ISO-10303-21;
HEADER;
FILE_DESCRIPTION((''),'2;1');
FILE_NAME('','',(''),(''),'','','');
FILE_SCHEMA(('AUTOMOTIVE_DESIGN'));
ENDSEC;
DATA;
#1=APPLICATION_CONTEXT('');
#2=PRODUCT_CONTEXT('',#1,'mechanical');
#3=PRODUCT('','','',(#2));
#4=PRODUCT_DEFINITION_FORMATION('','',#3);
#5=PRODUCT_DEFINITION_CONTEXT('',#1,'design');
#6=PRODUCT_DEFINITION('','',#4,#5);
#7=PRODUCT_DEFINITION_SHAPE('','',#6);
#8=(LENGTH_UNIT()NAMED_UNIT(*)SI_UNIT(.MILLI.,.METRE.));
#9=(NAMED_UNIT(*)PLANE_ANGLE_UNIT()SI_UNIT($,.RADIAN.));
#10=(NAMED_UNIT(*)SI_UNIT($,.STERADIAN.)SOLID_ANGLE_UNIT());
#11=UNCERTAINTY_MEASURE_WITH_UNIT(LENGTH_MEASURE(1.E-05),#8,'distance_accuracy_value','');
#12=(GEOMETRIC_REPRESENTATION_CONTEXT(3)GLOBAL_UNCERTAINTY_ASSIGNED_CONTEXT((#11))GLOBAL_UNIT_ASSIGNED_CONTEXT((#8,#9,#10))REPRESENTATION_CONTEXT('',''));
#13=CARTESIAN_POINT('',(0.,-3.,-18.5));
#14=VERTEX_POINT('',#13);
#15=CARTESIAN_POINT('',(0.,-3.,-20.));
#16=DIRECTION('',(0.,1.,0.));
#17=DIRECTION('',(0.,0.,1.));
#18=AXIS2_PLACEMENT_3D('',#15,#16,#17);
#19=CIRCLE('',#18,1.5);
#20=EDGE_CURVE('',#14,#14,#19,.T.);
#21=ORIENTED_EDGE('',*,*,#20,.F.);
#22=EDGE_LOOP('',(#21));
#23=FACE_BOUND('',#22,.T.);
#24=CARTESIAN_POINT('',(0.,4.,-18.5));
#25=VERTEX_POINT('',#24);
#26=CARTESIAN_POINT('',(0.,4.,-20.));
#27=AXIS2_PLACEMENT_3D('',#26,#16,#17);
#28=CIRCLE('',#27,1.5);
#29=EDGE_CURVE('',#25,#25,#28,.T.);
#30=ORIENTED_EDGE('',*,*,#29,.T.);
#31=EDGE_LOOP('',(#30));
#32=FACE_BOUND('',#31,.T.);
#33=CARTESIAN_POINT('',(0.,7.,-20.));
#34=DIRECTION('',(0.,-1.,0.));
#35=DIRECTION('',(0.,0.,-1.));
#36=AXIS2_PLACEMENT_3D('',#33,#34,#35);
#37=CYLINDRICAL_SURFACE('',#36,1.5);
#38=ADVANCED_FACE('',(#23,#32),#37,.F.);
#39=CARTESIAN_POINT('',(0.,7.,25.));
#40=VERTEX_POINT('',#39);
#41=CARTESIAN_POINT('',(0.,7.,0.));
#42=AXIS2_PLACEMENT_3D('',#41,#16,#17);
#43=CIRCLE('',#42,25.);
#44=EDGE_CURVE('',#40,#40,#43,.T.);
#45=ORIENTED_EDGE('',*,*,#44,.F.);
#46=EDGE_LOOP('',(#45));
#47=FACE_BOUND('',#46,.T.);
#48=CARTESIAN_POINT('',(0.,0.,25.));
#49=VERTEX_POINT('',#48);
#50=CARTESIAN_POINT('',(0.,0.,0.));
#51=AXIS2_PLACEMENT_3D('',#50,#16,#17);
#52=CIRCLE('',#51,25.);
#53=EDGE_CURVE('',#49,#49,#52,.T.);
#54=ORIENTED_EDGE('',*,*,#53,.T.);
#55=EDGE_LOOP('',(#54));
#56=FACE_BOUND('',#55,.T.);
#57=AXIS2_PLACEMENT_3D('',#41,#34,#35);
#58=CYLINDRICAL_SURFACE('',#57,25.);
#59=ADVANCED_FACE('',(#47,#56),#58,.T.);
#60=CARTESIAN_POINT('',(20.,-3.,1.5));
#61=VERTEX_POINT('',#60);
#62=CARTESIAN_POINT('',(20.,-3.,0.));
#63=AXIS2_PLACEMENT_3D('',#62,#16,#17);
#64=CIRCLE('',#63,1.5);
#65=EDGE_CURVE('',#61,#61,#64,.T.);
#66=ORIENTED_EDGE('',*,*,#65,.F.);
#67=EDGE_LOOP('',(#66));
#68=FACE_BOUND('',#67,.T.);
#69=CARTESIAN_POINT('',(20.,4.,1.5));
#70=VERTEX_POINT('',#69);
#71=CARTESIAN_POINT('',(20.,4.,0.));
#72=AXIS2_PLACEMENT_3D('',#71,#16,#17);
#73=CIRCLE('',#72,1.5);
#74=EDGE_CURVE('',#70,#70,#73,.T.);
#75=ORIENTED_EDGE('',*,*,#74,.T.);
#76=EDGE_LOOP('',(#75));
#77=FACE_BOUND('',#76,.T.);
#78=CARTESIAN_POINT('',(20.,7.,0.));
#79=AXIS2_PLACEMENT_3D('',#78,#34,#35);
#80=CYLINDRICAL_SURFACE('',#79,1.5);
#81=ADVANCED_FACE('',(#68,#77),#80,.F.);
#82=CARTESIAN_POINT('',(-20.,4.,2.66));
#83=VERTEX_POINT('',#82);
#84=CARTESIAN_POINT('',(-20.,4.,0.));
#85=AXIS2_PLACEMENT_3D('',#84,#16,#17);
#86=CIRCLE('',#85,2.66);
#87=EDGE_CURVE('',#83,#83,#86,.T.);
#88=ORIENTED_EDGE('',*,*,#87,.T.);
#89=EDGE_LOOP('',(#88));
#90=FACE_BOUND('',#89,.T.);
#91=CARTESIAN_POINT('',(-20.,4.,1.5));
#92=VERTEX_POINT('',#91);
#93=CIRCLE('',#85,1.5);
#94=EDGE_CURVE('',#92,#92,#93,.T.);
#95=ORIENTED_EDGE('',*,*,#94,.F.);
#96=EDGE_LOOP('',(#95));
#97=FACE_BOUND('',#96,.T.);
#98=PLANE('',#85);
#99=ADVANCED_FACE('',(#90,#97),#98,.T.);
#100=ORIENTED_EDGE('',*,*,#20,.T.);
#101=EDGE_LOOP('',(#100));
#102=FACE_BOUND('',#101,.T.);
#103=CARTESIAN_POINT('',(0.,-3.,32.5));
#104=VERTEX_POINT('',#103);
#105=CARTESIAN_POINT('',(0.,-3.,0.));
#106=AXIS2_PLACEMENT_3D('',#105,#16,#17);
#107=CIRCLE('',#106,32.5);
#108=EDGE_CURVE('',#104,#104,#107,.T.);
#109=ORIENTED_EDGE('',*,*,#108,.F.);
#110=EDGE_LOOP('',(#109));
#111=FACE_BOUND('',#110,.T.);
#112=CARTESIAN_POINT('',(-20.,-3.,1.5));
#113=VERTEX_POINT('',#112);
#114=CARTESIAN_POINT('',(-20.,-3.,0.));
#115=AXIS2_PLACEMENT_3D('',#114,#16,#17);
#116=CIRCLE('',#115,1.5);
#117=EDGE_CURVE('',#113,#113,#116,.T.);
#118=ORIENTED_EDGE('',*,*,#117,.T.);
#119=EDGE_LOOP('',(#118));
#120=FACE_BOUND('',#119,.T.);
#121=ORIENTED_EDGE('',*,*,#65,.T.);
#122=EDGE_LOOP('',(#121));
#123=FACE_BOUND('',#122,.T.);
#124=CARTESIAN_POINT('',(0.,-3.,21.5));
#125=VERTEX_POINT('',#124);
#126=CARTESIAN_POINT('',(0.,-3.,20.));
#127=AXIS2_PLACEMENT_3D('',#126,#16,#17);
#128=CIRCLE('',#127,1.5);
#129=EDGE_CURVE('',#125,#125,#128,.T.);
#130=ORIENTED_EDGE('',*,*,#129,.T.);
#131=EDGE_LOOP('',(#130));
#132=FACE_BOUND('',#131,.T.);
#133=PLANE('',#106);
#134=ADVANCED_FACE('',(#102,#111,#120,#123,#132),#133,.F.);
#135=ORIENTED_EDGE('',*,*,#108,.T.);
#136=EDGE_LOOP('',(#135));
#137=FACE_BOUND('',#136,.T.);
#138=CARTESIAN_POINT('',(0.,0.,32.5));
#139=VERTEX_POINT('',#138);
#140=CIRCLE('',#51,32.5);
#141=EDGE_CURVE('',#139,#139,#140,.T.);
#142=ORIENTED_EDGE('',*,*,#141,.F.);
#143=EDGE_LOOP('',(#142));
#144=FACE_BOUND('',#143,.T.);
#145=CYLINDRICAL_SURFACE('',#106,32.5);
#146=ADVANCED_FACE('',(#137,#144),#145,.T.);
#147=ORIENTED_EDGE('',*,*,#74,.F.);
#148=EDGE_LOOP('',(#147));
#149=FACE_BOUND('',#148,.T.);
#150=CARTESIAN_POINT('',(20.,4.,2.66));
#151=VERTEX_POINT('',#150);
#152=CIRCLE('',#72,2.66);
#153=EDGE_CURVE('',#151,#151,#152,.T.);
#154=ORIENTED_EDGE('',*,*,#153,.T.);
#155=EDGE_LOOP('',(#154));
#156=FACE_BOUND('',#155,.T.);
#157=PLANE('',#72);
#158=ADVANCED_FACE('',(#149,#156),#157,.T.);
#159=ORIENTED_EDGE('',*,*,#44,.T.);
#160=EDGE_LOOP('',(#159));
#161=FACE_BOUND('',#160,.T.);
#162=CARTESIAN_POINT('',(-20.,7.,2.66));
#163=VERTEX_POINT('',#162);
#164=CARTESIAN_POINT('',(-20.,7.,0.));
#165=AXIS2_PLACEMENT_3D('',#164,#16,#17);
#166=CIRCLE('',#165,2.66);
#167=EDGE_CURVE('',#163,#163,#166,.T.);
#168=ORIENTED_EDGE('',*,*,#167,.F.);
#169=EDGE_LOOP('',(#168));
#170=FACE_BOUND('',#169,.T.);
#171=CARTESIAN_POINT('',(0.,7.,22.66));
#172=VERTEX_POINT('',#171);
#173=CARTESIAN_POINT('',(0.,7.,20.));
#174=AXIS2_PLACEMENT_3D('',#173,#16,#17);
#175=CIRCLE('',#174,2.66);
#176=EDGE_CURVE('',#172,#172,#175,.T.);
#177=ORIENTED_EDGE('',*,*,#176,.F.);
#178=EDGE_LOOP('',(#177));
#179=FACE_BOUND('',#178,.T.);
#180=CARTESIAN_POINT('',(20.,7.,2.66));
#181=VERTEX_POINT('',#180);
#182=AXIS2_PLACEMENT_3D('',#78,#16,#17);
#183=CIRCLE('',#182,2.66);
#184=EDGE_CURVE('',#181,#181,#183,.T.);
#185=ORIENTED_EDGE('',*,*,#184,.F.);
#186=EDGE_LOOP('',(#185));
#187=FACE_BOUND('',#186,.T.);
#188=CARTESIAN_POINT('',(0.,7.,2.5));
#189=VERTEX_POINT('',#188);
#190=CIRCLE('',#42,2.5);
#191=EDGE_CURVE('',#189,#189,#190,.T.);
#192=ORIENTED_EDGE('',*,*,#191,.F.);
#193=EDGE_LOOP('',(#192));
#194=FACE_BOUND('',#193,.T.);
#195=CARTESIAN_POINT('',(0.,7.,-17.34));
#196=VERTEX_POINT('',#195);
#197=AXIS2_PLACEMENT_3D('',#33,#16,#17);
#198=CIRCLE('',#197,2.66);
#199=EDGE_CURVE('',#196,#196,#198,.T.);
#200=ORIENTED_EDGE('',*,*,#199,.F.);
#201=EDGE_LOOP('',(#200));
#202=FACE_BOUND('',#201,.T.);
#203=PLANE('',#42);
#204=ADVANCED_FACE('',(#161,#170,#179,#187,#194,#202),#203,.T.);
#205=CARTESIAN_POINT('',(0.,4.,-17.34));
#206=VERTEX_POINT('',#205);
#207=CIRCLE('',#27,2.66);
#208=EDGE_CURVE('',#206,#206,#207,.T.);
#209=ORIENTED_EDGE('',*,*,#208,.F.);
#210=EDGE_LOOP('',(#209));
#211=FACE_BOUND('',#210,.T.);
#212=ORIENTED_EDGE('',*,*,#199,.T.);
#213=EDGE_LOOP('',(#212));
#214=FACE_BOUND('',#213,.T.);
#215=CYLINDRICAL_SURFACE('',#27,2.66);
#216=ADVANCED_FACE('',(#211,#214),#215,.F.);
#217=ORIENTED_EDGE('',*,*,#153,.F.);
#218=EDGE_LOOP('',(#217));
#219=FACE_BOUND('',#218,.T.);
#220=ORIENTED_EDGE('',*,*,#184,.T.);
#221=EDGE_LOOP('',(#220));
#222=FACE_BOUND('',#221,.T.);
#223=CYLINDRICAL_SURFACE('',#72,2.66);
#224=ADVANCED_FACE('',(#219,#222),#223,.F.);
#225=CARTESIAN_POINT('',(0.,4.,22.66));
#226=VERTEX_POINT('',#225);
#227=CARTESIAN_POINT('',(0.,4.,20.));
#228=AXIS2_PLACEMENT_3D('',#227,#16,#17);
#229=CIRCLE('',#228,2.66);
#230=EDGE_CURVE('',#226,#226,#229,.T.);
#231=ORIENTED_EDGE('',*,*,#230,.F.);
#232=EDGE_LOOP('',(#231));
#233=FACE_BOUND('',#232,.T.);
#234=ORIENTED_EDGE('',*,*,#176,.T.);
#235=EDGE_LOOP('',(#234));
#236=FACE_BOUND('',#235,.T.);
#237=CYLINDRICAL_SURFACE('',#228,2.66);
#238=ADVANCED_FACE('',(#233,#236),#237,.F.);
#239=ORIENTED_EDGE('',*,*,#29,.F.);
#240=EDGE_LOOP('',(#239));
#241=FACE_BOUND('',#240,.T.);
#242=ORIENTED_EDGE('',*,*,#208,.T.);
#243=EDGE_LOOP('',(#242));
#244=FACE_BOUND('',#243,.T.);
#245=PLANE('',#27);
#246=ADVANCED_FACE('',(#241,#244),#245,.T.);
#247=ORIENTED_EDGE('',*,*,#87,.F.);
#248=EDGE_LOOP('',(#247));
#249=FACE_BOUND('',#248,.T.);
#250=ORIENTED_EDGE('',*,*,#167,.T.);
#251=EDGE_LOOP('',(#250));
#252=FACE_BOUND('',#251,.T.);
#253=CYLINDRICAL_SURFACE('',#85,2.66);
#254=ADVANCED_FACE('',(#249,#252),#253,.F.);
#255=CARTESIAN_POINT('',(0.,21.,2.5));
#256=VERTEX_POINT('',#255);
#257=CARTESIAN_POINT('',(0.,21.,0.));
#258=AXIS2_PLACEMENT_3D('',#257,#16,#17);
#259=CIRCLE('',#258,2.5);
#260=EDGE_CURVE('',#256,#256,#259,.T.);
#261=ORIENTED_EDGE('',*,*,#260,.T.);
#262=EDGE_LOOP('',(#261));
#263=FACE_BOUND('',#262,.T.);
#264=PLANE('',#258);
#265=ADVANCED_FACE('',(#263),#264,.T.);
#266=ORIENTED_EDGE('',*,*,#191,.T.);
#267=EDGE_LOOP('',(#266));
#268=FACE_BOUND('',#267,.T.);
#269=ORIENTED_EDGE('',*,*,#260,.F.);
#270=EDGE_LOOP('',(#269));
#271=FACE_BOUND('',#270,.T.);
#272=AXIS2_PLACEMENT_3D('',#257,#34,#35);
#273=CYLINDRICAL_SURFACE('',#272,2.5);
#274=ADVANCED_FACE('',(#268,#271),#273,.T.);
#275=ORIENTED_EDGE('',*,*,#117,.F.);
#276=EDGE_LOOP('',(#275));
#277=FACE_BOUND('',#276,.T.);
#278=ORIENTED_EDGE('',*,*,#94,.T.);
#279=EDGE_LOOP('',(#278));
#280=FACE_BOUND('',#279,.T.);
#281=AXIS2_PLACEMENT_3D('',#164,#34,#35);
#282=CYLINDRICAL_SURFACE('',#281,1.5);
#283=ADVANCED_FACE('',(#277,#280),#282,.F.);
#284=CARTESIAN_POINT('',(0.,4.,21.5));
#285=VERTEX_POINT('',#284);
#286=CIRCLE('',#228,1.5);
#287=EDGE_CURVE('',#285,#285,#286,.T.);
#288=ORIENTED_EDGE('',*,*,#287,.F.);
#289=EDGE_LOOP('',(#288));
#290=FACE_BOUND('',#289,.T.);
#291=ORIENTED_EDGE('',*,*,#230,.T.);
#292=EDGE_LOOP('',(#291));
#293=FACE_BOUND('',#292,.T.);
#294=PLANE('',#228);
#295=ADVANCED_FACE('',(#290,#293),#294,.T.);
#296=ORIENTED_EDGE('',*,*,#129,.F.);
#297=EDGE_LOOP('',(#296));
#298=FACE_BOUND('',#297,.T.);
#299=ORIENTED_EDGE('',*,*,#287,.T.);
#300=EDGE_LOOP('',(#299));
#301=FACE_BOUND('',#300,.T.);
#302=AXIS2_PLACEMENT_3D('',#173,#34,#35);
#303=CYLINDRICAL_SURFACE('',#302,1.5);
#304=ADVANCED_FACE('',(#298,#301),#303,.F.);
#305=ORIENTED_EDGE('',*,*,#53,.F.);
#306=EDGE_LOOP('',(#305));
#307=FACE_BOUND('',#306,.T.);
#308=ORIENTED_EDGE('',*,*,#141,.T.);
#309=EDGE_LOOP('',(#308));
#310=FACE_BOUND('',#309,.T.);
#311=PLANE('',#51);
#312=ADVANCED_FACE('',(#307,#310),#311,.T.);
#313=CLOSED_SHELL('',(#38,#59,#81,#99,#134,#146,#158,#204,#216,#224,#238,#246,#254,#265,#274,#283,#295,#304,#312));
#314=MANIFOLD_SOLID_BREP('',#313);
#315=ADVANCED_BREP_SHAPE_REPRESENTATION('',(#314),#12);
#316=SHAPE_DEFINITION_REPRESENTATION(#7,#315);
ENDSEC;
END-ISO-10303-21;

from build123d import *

# Parameters (mm, degrees)
SKETCH1_R           = 25
SKETCH1_R_2         = 1.5
BOSS_EXTRUDE1_DEPTH = 7
CUT_EXTRUDE1_START  = -3
SKETCH2_R           = 2.66
SKETCH2_R_2         = 1.5
CUT_EXTRUDE1_DEPTH  = 3
BOSS_EXTRUDE2_START = -3
SKETCH3_R           = 32.5
SKETCH3_R_2         = 1.5
BOSS_EXTRUDE2_DEPTH = 3
SKETCH4_R           = 2.5
BOSS_EXTRUDE3_DEPTH = 14


with BuildPart() as part:
    # Sketch1 → Boss-Extrude1 (new body)
    with BuildSketch(Plane(origin=(0, 0, 0), x_dir=(1, 0, 0), z_dir=(0, 1, 0))):
        with Locations(Location((0, 0, 0), (0, 0, 270))):
            Circle(SKETCH1_R)
        with Locations(Location((0, 20, 0), (0, 0, 270))):
            Circle(SKETCH1_R_2, mode=Mode.SUBTRACT)
        with Locations(Location((20, 0, 0), (0, 0, 270))):
            Circle(SKETCH1_R_2, mode=Mode.SUBTRACT)
        with Locations(Location((0, -20, 0), (0, 0, 270))):
            Circle(SKETCH1_R_2, mode=Mode.SUBTRACT)
        with Locations(Location((-20, 0, 0), (0, 0, 270))):
            Circle(SKETCH1_R_2, mode=Mode.SUBTRACT)
    extrude(amount=BOSS_EXTRUDE1_DEPTH)

    # Sketch2 → Cut-Extrude1 (cut)
    # profile 1 of 4: a face of its own
    with BuildSketch(Plane(origin=(0, 7, 0), x_dir=(1, 0, 0), z_dir=(0, 1, 0)).offset(CUT_EXTRUDE1_START)):
        with Locations(Location((-20, 0, 0), (0, 0, 270))):
            Circle(SKETCH2_R)
        with Locations(Location((-20, 0, 0), (0, 0, 270))):
            Circle(SKETCH2_R_2, mode=Mode.SUBTRACT)
    # profile 2 of 4: a face of its own
    with BuildSketch(Plane(origin=(0, 7, 0), x_dir=(1, 0, 0), z_dir=(0, 1, 0)).offset(CUT_EXTRUDE1_START)):
        with Locations(Location((0, 20, 0), (0, 0, 270))):
            Circle(SKETCH2_R)
        with Locations(Location((0, 20, 0), (0, 0, 270))):
            Circle(SKETCH2_R_2, mode=Mode.SUBTRACT)
    # profile 3 of 4: a face of its own
    with BuildSketch(Plane(origin=(0, 7, 0), x_dir=(1, 0, 0), z_dir=(0, 1, 0)).offset(CUT_EXTRUDE1_START)):
        with Locations(Location((20, 0, 0), (0, 0, 270))):
            Circle(SKETCH2_R)
        with Locations(Location((20, 0, 0), (0, 0, 270))):
            Circle(SKETCH2_R_2, mode=Mode.SUBTRACT)
    # profile 4 of 4: a face of its own
    with BuildSketch(Plane(origin=(0, 7, 0), x_dir=(1, 0, 0), z_dir=(0, 1, 0)).offset(CUT_EXTRUDE1_START)):
        with Locations(Location((0, -20, 0), (0, 0, 270))):
            Circle(SKETCH2_R)
        with Locations(Location((0, -20, 0), (0, 0, 270))):
            Circle(SKETCH2_R_2, mode=Mode.SUBTRACT)
    extrude(amount=CUT_EXTRUDE1_DEPTH, mode=Mode.SUBTRACT)

    # Sketch3 → Boss-Extrude2 (add)
    with BuildSketch(Plane(origin=(0, 0, 0), x_dir=(1, 0, 0), z_dir=(0, 1, 0)).offset(BOSS_EXTRUDE2_START)):
        with Locations(Location((0, 0, 0), (0, 0, 270))):
            Circle(SKETCH3_R)
        with Locations(Location((0, 20, 0), (0, 0, 270))):
            Circle(SKETCH3_R_2, mode=Mode.SUBTRACT)
        with Locations(Location((-20, 0, 0), (0, 0, 270))):
            Circle(SKETCH3_R_2, mode=Mode.SUBTRACT)
        with Locations(Location((0, -20, 0), (0, 0, 270))):
            Circle(SKETCH3_R_2, mode=Mode.SUBTRACT)
        with Locations(Location((20, 0, 0), (0, 0, 270))):
            Circle(SKETCH3_R_2, mode=Mode.SUBTRACT)
    extrude(amount=BOSS_EXTRUDE2_DEPTH)

    # Sketch4 → Boss-Extrude3 (add)
    with BuildSketch(Plane(origin=(0, 7, 0), x_dir=(1, 0, 0), z_dir=(0, 1, 0))):
        with Locations(Location((0, 0, 0), (0, 0, 270))):
            Circle(SKETCH4_R)
    extrude(amount=BOSS_EXTRUDE3_DEPTH)


solid = part.part
